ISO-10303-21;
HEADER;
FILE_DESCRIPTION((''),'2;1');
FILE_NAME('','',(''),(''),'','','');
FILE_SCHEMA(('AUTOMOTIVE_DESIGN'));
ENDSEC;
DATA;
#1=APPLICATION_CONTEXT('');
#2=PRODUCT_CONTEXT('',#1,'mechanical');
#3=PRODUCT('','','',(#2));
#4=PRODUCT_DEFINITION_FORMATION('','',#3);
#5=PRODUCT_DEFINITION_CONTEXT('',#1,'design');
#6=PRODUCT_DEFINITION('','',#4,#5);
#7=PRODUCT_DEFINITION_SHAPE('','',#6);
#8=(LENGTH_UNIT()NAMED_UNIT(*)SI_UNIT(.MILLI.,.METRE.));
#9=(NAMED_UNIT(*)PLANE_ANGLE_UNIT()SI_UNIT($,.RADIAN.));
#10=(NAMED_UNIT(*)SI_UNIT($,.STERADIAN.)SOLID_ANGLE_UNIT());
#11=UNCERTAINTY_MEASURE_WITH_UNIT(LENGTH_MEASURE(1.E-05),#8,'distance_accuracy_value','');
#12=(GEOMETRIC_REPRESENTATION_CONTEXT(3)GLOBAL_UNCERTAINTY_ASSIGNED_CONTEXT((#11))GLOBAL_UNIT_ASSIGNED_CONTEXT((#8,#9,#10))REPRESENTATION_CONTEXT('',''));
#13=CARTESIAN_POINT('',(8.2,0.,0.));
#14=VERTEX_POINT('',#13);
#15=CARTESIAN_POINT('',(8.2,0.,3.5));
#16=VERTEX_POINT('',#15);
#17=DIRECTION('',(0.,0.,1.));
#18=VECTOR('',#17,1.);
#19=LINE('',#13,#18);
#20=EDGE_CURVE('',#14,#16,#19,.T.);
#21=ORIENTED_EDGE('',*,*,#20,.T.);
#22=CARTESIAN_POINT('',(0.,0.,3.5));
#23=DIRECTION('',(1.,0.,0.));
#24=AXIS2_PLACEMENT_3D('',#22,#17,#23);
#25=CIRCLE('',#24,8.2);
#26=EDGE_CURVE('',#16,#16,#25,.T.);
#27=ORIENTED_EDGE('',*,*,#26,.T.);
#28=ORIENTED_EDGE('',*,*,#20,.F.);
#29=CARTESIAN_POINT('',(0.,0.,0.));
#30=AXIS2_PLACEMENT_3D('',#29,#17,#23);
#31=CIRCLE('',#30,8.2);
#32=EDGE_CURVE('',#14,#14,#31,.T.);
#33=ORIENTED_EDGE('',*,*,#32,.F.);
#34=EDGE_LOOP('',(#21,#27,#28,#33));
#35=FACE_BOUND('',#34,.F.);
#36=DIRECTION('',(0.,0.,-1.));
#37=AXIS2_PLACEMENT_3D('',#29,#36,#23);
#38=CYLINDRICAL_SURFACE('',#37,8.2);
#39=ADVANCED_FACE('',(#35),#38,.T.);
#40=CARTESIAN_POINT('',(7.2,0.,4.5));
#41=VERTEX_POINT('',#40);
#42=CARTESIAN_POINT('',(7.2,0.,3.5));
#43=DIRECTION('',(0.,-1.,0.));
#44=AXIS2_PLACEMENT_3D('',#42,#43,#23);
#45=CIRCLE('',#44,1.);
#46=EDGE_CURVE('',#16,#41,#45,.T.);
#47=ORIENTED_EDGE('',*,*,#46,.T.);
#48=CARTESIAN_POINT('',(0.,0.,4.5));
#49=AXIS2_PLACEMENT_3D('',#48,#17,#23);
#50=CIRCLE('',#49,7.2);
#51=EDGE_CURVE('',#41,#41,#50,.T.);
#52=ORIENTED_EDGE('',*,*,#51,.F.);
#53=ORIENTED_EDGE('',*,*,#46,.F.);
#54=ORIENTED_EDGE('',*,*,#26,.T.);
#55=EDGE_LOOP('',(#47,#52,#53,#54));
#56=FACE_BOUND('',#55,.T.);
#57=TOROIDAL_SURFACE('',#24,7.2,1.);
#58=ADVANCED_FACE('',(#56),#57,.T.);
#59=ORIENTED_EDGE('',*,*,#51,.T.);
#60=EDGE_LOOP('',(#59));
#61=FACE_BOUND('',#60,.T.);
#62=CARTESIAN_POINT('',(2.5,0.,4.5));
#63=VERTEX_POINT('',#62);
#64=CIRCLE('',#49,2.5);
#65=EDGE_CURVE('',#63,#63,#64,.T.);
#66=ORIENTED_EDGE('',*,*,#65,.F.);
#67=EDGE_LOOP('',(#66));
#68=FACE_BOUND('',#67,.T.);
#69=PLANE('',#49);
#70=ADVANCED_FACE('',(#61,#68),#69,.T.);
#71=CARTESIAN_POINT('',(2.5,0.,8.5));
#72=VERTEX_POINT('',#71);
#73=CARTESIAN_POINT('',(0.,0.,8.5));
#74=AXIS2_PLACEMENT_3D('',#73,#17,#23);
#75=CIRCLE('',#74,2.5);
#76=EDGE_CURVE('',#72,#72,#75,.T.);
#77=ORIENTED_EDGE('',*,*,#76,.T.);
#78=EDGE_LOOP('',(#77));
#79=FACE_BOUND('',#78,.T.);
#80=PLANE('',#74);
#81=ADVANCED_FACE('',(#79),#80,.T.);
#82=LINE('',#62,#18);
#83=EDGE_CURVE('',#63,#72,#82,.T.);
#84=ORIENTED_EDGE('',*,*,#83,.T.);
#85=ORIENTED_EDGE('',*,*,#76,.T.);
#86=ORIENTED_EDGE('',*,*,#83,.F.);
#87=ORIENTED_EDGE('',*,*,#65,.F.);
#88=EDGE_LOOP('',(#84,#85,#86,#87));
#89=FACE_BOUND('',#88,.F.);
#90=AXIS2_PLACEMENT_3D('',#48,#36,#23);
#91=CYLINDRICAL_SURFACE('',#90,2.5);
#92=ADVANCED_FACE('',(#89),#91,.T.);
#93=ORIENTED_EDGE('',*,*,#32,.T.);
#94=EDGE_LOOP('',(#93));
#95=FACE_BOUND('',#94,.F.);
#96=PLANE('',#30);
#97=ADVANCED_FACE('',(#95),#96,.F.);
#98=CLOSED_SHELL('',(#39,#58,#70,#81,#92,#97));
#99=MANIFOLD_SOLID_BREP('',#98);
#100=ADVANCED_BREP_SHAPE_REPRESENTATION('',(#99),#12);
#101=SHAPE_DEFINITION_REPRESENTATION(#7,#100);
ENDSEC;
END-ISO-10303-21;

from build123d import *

# Parameters (mm, degrees)
SKETCH_R     = 8.2
PAD_DEPTH    = 4.5
SKETCH001_R  = 2.5
PAD001_DEPTH = 4
FILLET_R     = 1


with BuildPart() as part:
    # Sketch → Pad (new body)
    with BuildSketch(Plane.XY):
        Circle(SKETCH_R)
    extrude(amount=PAD_DEPTH)

    # Sketch001 (on Face3 of Pad) → Pad001 (join)
    with BuildSketch(Plane.XY.offset(4.5)):
        Circle(SKETCH001_R)
    extrude(amount=PAD001_DEPTH)

    # Fillet
    fillet_edges = [part.edges().sort_by_distance(p)[0] for p in [
        (-8.2, 0, 4.5),
    ]]
    fillet(fillet_edges, radius=FILLET_R)


solid = part.part
